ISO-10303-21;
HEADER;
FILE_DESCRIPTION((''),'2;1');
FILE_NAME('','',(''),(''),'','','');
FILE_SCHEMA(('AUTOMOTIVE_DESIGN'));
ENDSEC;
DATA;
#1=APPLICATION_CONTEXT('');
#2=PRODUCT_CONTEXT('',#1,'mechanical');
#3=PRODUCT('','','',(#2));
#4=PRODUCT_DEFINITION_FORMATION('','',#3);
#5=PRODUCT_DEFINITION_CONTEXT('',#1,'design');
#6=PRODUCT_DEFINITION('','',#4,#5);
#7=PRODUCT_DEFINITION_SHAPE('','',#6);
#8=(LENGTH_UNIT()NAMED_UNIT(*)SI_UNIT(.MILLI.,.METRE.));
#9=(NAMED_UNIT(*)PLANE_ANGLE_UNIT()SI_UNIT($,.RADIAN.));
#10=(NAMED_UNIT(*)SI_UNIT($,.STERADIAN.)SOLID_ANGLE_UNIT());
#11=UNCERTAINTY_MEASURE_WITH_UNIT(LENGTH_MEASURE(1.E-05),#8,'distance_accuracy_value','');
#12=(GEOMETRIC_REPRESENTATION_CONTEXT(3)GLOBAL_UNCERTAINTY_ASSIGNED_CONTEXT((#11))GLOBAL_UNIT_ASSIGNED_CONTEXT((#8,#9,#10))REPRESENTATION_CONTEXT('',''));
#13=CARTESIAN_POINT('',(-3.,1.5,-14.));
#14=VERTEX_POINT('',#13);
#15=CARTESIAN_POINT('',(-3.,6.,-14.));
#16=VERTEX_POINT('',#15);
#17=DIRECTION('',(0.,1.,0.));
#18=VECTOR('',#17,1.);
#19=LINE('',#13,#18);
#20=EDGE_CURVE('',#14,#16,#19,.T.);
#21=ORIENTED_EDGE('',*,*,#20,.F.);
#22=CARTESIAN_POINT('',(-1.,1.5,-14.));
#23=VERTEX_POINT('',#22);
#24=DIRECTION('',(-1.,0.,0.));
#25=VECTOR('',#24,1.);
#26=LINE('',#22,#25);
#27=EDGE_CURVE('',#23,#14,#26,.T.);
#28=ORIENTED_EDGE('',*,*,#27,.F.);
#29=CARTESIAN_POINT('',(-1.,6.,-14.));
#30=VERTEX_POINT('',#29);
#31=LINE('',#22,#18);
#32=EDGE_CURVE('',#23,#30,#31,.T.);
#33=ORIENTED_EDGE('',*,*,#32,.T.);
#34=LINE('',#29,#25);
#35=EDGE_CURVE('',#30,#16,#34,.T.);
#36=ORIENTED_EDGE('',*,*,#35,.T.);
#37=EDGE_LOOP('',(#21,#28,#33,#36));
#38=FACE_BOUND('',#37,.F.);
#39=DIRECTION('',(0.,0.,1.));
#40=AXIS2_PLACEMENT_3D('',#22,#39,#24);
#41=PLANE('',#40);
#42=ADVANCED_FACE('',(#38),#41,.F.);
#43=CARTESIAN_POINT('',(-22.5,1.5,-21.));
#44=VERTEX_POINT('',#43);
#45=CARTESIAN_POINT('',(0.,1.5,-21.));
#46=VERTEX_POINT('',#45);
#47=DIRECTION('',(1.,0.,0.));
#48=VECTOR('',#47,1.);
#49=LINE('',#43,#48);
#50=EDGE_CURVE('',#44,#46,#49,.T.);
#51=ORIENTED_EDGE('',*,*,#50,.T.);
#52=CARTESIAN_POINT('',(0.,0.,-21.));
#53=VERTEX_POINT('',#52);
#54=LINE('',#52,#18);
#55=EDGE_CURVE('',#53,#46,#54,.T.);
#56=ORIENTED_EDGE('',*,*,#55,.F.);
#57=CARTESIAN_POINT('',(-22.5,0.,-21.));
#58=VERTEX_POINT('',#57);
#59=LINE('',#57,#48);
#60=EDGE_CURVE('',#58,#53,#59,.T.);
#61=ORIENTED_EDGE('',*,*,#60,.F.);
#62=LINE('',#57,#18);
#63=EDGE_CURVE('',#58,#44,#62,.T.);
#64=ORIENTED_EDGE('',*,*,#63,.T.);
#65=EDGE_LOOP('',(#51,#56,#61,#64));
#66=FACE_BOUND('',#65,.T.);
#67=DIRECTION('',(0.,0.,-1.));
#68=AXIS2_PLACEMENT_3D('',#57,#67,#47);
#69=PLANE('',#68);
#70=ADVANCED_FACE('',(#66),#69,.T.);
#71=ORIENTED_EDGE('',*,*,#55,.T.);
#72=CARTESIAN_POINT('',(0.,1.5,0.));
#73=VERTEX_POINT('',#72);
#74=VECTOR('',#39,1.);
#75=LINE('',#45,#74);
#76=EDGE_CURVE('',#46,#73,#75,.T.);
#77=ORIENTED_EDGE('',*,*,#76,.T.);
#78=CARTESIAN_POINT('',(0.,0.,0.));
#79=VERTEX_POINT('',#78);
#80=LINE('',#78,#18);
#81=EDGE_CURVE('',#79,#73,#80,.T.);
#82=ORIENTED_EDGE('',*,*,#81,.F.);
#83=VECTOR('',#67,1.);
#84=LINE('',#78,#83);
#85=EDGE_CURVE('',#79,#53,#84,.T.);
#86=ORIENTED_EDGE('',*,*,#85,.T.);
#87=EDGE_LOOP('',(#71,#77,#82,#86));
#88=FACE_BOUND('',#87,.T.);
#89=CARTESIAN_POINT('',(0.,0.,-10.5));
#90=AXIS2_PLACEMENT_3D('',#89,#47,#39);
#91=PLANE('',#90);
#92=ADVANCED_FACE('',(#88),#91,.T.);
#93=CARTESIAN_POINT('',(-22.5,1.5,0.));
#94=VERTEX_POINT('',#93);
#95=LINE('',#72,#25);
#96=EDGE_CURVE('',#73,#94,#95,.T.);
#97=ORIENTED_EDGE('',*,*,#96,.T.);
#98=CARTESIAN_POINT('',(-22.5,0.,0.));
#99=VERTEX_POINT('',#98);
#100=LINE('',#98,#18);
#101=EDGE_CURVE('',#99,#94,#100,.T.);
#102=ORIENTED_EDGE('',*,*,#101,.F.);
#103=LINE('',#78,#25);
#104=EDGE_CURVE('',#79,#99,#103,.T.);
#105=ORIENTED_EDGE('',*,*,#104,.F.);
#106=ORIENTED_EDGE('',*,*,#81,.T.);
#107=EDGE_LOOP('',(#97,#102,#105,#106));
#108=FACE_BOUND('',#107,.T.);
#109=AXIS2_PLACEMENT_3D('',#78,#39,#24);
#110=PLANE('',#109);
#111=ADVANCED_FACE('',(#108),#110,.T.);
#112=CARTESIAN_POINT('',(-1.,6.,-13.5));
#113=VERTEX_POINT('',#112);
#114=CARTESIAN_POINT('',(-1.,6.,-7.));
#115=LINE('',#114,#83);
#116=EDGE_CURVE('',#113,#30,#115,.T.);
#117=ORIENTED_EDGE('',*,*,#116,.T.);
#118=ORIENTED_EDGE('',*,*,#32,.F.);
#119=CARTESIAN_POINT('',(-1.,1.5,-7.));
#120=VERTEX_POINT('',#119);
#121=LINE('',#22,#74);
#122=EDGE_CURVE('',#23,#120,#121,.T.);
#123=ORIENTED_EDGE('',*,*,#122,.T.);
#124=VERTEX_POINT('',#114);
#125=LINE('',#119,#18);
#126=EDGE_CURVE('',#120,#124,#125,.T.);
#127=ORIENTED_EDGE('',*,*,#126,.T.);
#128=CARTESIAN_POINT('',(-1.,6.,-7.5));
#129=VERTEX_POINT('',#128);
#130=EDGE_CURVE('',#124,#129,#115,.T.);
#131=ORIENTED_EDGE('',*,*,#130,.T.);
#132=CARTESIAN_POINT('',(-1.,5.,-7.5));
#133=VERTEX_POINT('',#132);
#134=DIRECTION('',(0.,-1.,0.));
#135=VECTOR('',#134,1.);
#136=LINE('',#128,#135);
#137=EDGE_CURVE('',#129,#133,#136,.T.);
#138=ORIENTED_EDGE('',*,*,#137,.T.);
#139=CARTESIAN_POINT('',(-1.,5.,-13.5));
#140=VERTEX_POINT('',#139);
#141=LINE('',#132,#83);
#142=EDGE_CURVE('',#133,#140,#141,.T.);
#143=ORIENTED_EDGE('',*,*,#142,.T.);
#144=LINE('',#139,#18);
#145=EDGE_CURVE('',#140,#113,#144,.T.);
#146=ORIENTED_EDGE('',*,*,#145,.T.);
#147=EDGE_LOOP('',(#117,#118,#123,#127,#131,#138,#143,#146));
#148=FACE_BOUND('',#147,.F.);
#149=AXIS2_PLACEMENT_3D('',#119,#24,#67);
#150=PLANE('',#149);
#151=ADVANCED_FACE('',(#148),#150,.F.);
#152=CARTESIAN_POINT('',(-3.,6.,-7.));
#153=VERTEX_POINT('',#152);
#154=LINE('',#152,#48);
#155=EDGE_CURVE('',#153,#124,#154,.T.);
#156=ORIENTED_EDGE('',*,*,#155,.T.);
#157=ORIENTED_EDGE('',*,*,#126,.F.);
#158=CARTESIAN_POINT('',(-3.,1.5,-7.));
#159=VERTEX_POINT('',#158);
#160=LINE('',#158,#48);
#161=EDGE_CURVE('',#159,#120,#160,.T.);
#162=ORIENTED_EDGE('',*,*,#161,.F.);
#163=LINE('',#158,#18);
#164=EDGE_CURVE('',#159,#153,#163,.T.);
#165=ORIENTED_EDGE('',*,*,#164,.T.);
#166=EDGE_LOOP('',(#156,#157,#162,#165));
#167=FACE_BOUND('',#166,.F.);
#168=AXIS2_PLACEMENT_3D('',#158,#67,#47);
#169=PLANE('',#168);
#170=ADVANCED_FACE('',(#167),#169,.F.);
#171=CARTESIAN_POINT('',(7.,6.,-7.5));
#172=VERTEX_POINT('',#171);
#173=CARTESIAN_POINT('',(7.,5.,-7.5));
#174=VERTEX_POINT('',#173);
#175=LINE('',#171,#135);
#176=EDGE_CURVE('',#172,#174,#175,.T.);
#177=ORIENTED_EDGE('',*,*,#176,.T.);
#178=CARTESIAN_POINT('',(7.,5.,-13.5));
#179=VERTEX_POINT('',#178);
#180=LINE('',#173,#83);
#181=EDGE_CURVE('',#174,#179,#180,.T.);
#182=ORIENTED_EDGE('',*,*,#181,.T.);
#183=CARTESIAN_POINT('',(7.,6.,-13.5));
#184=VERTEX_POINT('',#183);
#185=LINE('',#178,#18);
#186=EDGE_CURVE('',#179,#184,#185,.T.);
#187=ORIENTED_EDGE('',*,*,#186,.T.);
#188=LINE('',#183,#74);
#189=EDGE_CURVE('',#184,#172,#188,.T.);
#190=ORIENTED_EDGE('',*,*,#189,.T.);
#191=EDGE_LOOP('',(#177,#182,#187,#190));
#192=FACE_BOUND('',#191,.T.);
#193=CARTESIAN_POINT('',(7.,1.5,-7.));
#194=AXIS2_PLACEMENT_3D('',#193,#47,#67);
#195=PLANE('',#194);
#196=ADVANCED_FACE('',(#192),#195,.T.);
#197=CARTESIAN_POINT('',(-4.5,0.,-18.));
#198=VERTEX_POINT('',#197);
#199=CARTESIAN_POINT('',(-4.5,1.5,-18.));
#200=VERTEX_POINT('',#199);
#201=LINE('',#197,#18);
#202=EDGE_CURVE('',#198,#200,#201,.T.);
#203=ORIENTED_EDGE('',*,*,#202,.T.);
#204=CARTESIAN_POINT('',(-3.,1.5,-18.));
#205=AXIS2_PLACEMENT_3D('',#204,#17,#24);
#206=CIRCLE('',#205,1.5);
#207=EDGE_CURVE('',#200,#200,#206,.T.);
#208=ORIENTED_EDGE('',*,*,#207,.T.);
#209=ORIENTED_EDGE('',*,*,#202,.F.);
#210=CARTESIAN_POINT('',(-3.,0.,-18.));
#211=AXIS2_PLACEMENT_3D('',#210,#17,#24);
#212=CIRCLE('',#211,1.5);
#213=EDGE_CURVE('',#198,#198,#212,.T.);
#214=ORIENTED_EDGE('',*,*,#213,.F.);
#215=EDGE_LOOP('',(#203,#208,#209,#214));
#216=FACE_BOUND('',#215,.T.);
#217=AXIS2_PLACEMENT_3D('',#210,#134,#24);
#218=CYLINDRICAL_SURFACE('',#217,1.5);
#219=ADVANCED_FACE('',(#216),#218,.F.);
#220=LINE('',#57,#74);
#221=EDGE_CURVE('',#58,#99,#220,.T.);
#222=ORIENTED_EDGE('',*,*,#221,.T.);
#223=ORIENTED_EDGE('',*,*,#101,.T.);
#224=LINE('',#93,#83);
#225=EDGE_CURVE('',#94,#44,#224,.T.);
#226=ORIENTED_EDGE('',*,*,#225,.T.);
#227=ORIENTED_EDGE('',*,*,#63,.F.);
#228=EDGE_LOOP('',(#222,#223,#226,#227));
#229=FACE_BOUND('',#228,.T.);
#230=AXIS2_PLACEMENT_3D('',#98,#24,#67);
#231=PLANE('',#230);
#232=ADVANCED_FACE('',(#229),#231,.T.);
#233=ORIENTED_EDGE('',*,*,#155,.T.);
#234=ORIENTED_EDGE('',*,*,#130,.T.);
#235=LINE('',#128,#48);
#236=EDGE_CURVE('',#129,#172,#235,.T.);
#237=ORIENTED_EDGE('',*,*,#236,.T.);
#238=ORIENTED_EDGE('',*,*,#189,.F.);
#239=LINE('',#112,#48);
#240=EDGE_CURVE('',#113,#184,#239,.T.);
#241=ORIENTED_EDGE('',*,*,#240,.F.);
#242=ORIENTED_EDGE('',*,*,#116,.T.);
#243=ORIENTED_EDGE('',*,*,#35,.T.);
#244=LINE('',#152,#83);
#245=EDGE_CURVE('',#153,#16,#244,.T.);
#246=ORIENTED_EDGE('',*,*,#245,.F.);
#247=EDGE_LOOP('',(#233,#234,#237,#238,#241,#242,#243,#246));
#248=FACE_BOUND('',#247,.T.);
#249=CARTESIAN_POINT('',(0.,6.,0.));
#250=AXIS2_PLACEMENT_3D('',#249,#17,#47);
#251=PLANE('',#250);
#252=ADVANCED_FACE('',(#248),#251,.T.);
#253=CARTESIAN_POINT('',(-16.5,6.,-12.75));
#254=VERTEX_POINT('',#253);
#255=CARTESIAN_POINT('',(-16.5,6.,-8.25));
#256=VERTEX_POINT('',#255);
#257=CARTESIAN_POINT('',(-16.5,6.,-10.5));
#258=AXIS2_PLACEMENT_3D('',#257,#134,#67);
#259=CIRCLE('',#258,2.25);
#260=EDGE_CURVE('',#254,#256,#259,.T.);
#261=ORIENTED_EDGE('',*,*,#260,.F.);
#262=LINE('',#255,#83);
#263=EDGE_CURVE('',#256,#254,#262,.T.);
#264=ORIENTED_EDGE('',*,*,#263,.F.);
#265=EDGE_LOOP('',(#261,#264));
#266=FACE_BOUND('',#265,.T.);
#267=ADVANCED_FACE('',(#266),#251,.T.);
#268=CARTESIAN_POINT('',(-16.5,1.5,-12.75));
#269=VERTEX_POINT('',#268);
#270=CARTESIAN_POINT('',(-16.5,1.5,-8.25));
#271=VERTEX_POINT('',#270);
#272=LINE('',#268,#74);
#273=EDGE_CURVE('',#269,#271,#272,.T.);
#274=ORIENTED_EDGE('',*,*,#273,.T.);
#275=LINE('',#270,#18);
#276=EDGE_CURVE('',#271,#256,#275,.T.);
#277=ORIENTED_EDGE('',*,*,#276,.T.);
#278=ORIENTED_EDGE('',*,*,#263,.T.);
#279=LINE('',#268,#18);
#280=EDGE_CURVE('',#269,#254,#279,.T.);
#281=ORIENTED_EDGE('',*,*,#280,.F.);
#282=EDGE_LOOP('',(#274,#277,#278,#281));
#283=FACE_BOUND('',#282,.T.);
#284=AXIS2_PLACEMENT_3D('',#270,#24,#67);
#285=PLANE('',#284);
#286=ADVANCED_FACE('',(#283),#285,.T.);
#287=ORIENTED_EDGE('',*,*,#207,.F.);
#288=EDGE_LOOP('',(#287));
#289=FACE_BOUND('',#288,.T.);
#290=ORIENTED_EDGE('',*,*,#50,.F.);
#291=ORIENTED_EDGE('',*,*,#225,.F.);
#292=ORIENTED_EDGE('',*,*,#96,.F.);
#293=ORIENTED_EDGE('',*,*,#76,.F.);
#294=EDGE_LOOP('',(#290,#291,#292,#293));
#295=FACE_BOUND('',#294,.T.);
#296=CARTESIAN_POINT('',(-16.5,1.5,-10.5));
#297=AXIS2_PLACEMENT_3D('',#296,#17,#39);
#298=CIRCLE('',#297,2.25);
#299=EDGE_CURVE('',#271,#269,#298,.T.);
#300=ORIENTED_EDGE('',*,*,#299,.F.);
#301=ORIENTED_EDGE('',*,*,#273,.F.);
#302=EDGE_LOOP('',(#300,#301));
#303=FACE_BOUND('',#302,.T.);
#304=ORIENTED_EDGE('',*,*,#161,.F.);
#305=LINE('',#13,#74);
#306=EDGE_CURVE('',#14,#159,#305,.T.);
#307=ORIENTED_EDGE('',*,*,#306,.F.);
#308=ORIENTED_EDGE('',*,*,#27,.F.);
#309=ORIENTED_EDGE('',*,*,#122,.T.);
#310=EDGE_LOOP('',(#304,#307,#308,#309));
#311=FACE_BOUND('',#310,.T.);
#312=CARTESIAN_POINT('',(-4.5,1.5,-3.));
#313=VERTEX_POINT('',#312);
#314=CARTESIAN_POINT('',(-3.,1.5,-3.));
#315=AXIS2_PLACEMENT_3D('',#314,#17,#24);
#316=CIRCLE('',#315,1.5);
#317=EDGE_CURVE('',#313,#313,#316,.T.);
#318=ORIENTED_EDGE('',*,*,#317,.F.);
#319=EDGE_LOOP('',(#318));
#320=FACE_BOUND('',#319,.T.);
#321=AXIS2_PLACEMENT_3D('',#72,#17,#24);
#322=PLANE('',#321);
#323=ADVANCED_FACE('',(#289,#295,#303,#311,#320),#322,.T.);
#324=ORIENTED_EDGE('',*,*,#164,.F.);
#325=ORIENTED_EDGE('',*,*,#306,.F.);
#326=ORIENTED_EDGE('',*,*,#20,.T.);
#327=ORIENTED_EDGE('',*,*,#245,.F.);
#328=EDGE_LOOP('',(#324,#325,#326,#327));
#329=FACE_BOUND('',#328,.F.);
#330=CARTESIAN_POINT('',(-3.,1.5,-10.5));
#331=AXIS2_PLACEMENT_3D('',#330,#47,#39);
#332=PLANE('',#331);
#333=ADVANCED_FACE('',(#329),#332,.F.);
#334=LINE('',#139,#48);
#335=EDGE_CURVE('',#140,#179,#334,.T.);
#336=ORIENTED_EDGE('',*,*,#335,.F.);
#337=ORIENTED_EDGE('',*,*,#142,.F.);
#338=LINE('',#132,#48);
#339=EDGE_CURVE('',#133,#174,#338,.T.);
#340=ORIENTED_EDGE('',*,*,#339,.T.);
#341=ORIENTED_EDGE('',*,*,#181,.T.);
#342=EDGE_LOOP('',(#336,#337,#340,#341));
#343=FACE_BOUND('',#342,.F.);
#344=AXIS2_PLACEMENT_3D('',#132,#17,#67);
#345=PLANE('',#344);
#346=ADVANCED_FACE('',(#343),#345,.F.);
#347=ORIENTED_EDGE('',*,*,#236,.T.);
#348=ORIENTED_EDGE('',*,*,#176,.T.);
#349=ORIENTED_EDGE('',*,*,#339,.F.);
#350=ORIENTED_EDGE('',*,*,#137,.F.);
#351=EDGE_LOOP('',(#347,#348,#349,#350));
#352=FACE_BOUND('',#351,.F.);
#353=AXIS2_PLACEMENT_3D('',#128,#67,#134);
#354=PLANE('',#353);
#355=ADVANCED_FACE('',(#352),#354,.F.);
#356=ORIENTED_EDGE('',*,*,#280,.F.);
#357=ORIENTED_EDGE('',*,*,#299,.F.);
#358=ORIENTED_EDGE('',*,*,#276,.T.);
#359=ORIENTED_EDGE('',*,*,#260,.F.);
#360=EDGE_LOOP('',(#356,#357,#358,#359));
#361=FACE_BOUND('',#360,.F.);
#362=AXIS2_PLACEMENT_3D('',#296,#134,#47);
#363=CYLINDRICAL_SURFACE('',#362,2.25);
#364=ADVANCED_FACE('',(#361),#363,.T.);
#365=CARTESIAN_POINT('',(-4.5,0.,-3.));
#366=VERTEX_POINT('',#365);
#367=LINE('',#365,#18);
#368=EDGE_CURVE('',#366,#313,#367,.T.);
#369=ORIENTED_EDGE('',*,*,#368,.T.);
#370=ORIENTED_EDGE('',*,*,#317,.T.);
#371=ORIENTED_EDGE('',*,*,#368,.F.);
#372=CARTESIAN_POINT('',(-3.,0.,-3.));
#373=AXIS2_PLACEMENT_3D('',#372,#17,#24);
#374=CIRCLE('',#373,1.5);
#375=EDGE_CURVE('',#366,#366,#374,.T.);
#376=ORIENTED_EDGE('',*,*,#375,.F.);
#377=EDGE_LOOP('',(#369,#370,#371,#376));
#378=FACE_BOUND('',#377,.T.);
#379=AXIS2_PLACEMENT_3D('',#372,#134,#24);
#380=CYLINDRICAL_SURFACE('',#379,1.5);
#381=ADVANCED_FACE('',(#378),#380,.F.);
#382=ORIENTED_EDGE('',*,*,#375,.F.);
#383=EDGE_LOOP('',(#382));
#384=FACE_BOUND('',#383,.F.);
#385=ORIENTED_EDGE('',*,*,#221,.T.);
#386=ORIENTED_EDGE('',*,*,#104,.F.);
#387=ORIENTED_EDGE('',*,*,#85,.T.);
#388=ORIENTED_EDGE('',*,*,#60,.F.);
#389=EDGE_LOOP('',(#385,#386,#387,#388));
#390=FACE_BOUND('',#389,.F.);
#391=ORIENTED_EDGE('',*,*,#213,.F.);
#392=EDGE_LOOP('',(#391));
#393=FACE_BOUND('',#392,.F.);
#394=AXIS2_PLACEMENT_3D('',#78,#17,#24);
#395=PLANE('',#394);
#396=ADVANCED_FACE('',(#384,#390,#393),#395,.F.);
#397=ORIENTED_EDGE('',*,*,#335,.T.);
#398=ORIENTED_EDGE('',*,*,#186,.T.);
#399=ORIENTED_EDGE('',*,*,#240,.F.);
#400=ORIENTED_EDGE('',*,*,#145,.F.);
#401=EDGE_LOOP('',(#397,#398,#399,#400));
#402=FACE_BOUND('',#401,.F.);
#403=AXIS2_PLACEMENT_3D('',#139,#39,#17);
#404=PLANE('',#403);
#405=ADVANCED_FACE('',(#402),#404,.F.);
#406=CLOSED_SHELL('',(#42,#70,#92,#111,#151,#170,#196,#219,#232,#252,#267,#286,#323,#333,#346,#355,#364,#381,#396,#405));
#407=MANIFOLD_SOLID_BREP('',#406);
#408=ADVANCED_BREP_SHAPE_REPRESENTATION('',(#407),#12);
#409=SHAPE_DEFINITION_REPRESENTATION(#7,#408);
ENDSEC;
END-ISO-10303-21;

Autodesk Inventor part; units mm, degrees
ref_plane "YZ Plane" through (0, 0, 0) normal (1, 0, 0) x (0, 1, 0)
ref_plane "XZ Plane" through (0, 0, 0) normal (0, 1, 0) x (-1, 0, 0)
ref_plane "XY Plane" through (0, 0, 0) normal (0, 0, 1) x (1, 0, 0)
sketch "Sketch1" plane through (0, 0, 0) normal (0, 1, 0) x (-1, 0, 0)
  line L0 (0, 0) -> (22.5, 0)
  line L1 (22.5, 0) -> (22.5, -21)
  line L2 (22.5, -21) -> (0, -21)
  line L3 (0, -21) -> (0, 0)
  circle A0 centre (3, -3) radius 1.5
  circle A1 centre (3, -18) radius 1.5
  line L4 (22.5, -10.5) -> (0, -10.5)
  dimension "d0" = 21
  dimension "d1" = 22.5
  dimension "d2" = 3
  dimension "d5" = 3
  dimension "d8" = 3
  dimension "d25" = 15
  dimension "d26" = 3
extrude "Extrusion1" add sketch "Sketch1" along normal blind 1.5
sketch "Sketch2" plane through (0, 1.5, 0) normal (0, 1, 0) x (1, 0, 0)
  line L0 (-3, 7) -> (-1, 7)
  line L1 (-1, 7) -> (-1, 14)
  line L2 (-1, 14) -> (-3, 14)
  line L3 (-3, 14) -> (-3, 7)
  line L4 (-16.5, 8.25) -> (-16.5, 12.75)
  circle A0 centre (-16.5, 10.5) radius 2.25
  line L5 (-22.5, 21) -> (-22.5, 0) projected
  line L6 (-22.5, 10.5) -> (0, 10.5)
  line L7 (0, 0) -> (0, 21) projected
  dimension "d11" = 4.5
  dimension "d12" = 7
  dimension "d13" = 2
  dimension "d14" = 1
  dimension "d15" = 6
extrude "Extrusion2" add sketch "Sketch2" along normal blind 4.5 contours L3 L6 L1 L0 | A0 L4 L6 | L6 L4 A0 | L3 L2 L1 L6 picked at (-15.2379, 9.707) picked at (-15.707, 11.7621)
sketch "Sketch3" plane through (-1, 1.5, -7) normal (1, 0, 0) x (0, 0, -1)
  line L0 (0.5, 3.5) -> (6.5, 3.5)
  line L1 (6.5, 3.5) -> (6.5, 4.5)
  line L2 (6.5, 4.5) -> (0.5, 4.5)
  line L3 (0.5, 4.5) -> (0.5, 3.5)
  line L4 (-7, 0) -> (14, 0) projected
  line L5 (0, 4.5) -> (7, 4.5) projected
  line L6 (0, 0) -> (0, 4.5) projected
  line L7 (7, 0) -> (7, 4.5) projected
  point P0 (-7, -1.5)
  point P1 (0.5, 4)
  dimension "d18" = 6
  dimension "d19" = 1
  dimension "d21" = 0.5
  dimension "d22" = 0.5
extrude "Extrusion3" add sketch "Sketch3" along normal blind 8 contours L3 L2 L1 L0
properties part number "DS18B20"
